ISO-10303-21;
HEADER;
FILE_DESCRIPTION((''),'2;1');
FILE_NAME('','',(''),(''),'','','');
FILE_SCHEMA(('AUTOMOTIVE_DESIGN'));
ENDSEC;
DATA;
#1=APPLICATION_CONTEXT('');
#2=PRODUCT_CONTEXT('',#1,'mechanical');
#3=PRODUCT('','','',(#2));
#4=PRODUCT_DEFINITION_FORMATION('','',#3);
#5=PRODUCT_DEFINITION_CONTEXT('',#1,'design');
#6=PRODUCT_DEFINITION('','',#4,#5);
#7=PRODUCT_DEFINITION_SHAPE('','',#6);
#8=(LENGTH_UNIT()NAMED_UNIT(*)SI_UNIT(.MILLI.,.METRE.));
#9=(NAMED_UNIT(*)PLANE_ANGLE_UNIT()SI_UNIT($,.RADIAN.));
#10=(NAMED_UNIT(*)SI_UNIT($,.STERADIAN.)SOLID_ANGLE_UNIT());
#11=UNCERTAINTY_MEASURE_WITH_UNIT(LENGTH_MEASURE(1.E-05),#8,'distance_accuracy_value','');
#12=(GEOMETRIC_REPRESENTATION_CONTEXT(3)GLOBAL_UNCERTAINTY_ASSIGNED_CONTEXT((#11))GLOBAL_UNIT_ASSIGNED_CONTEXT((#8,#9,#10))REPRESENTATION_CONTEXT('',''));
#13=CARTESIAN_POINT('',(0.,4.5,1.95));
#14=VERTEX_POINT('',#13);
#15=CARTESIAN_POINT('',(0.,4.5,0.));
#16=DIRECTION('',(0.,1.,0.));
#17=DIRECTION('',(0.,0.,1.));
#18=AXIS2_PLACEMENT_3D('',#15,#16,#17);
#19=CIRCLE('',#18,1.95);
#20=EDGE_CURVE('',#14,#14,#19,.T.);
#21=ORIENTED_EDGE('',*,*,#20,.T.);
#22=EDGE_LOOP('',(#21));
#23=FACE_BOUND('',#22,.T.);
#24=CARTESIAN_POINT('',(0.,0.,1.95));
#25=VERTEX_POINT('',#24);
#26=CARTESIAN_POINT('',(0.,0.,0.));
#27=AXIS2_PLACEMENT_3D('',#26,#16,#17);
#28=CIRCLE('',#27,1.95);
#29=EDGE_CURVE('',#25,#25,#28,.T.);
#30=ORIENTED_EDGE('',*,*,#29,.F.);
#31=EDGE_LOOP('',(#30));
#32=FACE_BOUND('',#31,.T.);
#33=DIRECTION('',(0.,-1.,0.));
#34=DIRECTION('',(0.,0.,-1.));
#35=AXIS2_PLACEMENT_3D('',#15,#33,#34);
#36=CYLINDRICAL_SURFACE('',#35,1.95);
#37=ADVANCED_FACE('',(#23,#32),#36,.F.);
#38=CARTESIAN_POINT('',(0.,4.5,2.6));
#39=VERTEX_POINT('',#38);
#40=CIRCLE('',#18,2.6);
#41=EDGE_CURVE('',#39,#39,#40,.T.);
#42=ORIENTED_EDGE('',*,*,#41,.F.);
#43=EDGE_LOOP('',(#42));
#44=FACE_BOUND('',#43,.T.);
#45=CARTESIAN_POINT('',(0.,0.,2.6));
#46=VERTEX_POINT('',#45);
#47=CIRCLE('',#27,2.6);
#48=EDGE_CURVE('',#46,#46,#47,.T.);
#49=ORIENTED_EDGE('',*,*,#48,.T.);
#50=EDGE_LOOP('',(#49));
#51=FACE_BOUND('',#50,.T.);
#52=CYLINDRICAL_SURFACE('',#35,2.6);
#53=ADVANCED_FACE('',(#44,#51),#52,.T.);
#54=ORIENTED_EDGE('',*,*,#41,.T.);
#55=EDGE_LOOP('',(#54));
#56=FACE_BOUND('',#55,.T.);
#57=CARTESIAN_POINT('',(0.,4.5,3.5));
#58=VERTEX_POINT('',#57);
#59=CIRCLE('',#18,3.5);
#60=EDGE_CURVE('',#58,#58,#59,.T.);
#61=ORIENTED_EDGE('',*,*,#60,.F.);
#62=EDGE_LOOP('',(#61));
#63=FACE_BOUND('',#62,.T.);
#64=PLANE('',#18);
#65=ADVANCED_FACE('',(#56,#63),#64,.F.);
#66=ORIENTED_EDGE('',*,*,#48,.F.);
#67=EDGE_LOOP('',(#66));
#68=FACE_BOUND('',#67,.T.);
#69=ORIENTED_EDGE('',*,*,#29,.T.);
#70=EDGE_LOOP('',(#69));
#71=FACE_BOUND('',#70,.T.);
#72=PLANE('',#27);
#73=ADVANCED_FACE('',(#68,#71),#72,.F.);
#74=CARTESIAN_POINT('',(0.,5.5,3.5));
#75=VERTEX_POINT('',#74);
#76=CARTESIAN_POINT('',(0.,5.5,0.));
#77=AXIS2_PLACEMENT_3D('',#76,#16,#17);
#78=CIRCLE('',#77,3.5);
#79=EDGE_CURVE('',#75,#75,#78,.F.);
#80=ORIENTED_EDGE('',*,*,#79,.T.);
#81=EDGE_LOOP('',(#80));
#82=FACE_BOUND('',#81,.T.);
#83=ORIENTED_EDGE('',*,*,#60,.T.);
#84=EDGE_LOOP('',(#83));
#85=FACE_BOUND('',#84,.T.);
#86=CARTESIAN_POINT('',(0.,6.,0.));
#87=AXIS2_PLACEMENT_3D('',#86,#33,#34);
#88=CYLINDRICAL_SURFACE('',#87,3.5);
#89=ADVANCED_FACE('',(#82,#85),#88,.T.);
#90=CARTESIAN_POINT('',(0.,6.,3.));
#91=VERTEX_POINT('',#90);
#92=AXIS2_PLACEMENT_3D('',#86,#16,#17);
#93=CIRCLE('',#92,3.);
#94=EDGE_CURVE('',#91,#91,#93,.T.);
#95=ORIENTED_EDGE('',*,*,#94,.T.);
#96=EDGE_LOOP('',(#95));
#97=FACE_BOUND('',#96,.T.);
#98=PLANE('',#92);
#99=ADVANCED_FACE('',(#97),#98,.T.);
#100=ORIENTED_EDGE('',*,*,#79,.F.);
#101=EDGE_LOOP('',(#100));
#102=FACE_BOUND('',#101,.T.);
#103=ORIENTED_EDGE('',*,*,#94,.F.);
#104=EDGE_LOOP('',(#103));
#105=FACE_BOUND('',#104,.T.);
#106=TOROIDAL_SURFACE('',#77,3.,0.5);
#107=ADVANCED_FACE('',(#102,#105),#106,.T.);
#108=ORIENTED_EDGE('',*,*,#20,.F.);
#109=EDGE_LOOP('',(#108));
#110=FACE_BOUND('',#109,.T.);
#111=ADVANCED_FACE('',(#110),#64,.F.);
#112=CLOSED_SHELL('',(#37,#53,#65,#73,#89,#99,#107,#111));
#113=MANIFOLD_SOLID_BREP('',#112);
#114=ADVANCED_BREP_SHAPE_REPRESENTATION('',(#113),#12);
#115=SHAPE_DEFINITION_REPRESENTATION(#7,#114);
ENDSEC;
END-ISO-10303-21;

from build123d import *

# Parameters (mm, degrees)
SKETCH1_R           = 2.6
SKETCH1_R_2         = 1.95
BOSS_EXTRUDE1_DEPTH = 4.5
SKETCH2_R           = 3.5
BOSS_EXTRUDE2_DEPTH = 1.5
FILLET1_R           = 0.5


with BuildPart() as part:
    # Sketch1 → Boss-Extrude1 (new body)
    with BuildSketch(Plane(origin=(0, 0, 0), x_dir=(1, 0, 0), z_dir=(0, 1, 0))):
        with Locations(Location((0, 0, 0), (0, 0, 270))):
            Circle(SKETCH1_R)
        with Locations(Location((0, 0, 0), (0, 0, 270))):
            Circle(SKETCH1_R_2, mode=Mode.SUBTRACT)
    extrude(amount=BOSS_EXTRUDE1_DEPTH)

    # Sketch2 → Boss-Extrude2 (add)
    with BuildSketch(Plane(origin=(0, 4.5, 0), x_dir=(1, 0, 0), z_dir=(0, 1, 0))):
        with Locations(Location((0, 0, 0), (0, 0, 270))):
            Circle(SKETCH2_R)
    extrude(amount=BOSS_EXTRUDE2_DEPTH)

    # Fillet1
    fillet1_edges = [part.edges().sort_by_distance(p)[0] for p in [
        (0, 6, -3.5),
    ]]
    fillet(fillet1_edges, radius=FILLET1_R)


solid = part.part
